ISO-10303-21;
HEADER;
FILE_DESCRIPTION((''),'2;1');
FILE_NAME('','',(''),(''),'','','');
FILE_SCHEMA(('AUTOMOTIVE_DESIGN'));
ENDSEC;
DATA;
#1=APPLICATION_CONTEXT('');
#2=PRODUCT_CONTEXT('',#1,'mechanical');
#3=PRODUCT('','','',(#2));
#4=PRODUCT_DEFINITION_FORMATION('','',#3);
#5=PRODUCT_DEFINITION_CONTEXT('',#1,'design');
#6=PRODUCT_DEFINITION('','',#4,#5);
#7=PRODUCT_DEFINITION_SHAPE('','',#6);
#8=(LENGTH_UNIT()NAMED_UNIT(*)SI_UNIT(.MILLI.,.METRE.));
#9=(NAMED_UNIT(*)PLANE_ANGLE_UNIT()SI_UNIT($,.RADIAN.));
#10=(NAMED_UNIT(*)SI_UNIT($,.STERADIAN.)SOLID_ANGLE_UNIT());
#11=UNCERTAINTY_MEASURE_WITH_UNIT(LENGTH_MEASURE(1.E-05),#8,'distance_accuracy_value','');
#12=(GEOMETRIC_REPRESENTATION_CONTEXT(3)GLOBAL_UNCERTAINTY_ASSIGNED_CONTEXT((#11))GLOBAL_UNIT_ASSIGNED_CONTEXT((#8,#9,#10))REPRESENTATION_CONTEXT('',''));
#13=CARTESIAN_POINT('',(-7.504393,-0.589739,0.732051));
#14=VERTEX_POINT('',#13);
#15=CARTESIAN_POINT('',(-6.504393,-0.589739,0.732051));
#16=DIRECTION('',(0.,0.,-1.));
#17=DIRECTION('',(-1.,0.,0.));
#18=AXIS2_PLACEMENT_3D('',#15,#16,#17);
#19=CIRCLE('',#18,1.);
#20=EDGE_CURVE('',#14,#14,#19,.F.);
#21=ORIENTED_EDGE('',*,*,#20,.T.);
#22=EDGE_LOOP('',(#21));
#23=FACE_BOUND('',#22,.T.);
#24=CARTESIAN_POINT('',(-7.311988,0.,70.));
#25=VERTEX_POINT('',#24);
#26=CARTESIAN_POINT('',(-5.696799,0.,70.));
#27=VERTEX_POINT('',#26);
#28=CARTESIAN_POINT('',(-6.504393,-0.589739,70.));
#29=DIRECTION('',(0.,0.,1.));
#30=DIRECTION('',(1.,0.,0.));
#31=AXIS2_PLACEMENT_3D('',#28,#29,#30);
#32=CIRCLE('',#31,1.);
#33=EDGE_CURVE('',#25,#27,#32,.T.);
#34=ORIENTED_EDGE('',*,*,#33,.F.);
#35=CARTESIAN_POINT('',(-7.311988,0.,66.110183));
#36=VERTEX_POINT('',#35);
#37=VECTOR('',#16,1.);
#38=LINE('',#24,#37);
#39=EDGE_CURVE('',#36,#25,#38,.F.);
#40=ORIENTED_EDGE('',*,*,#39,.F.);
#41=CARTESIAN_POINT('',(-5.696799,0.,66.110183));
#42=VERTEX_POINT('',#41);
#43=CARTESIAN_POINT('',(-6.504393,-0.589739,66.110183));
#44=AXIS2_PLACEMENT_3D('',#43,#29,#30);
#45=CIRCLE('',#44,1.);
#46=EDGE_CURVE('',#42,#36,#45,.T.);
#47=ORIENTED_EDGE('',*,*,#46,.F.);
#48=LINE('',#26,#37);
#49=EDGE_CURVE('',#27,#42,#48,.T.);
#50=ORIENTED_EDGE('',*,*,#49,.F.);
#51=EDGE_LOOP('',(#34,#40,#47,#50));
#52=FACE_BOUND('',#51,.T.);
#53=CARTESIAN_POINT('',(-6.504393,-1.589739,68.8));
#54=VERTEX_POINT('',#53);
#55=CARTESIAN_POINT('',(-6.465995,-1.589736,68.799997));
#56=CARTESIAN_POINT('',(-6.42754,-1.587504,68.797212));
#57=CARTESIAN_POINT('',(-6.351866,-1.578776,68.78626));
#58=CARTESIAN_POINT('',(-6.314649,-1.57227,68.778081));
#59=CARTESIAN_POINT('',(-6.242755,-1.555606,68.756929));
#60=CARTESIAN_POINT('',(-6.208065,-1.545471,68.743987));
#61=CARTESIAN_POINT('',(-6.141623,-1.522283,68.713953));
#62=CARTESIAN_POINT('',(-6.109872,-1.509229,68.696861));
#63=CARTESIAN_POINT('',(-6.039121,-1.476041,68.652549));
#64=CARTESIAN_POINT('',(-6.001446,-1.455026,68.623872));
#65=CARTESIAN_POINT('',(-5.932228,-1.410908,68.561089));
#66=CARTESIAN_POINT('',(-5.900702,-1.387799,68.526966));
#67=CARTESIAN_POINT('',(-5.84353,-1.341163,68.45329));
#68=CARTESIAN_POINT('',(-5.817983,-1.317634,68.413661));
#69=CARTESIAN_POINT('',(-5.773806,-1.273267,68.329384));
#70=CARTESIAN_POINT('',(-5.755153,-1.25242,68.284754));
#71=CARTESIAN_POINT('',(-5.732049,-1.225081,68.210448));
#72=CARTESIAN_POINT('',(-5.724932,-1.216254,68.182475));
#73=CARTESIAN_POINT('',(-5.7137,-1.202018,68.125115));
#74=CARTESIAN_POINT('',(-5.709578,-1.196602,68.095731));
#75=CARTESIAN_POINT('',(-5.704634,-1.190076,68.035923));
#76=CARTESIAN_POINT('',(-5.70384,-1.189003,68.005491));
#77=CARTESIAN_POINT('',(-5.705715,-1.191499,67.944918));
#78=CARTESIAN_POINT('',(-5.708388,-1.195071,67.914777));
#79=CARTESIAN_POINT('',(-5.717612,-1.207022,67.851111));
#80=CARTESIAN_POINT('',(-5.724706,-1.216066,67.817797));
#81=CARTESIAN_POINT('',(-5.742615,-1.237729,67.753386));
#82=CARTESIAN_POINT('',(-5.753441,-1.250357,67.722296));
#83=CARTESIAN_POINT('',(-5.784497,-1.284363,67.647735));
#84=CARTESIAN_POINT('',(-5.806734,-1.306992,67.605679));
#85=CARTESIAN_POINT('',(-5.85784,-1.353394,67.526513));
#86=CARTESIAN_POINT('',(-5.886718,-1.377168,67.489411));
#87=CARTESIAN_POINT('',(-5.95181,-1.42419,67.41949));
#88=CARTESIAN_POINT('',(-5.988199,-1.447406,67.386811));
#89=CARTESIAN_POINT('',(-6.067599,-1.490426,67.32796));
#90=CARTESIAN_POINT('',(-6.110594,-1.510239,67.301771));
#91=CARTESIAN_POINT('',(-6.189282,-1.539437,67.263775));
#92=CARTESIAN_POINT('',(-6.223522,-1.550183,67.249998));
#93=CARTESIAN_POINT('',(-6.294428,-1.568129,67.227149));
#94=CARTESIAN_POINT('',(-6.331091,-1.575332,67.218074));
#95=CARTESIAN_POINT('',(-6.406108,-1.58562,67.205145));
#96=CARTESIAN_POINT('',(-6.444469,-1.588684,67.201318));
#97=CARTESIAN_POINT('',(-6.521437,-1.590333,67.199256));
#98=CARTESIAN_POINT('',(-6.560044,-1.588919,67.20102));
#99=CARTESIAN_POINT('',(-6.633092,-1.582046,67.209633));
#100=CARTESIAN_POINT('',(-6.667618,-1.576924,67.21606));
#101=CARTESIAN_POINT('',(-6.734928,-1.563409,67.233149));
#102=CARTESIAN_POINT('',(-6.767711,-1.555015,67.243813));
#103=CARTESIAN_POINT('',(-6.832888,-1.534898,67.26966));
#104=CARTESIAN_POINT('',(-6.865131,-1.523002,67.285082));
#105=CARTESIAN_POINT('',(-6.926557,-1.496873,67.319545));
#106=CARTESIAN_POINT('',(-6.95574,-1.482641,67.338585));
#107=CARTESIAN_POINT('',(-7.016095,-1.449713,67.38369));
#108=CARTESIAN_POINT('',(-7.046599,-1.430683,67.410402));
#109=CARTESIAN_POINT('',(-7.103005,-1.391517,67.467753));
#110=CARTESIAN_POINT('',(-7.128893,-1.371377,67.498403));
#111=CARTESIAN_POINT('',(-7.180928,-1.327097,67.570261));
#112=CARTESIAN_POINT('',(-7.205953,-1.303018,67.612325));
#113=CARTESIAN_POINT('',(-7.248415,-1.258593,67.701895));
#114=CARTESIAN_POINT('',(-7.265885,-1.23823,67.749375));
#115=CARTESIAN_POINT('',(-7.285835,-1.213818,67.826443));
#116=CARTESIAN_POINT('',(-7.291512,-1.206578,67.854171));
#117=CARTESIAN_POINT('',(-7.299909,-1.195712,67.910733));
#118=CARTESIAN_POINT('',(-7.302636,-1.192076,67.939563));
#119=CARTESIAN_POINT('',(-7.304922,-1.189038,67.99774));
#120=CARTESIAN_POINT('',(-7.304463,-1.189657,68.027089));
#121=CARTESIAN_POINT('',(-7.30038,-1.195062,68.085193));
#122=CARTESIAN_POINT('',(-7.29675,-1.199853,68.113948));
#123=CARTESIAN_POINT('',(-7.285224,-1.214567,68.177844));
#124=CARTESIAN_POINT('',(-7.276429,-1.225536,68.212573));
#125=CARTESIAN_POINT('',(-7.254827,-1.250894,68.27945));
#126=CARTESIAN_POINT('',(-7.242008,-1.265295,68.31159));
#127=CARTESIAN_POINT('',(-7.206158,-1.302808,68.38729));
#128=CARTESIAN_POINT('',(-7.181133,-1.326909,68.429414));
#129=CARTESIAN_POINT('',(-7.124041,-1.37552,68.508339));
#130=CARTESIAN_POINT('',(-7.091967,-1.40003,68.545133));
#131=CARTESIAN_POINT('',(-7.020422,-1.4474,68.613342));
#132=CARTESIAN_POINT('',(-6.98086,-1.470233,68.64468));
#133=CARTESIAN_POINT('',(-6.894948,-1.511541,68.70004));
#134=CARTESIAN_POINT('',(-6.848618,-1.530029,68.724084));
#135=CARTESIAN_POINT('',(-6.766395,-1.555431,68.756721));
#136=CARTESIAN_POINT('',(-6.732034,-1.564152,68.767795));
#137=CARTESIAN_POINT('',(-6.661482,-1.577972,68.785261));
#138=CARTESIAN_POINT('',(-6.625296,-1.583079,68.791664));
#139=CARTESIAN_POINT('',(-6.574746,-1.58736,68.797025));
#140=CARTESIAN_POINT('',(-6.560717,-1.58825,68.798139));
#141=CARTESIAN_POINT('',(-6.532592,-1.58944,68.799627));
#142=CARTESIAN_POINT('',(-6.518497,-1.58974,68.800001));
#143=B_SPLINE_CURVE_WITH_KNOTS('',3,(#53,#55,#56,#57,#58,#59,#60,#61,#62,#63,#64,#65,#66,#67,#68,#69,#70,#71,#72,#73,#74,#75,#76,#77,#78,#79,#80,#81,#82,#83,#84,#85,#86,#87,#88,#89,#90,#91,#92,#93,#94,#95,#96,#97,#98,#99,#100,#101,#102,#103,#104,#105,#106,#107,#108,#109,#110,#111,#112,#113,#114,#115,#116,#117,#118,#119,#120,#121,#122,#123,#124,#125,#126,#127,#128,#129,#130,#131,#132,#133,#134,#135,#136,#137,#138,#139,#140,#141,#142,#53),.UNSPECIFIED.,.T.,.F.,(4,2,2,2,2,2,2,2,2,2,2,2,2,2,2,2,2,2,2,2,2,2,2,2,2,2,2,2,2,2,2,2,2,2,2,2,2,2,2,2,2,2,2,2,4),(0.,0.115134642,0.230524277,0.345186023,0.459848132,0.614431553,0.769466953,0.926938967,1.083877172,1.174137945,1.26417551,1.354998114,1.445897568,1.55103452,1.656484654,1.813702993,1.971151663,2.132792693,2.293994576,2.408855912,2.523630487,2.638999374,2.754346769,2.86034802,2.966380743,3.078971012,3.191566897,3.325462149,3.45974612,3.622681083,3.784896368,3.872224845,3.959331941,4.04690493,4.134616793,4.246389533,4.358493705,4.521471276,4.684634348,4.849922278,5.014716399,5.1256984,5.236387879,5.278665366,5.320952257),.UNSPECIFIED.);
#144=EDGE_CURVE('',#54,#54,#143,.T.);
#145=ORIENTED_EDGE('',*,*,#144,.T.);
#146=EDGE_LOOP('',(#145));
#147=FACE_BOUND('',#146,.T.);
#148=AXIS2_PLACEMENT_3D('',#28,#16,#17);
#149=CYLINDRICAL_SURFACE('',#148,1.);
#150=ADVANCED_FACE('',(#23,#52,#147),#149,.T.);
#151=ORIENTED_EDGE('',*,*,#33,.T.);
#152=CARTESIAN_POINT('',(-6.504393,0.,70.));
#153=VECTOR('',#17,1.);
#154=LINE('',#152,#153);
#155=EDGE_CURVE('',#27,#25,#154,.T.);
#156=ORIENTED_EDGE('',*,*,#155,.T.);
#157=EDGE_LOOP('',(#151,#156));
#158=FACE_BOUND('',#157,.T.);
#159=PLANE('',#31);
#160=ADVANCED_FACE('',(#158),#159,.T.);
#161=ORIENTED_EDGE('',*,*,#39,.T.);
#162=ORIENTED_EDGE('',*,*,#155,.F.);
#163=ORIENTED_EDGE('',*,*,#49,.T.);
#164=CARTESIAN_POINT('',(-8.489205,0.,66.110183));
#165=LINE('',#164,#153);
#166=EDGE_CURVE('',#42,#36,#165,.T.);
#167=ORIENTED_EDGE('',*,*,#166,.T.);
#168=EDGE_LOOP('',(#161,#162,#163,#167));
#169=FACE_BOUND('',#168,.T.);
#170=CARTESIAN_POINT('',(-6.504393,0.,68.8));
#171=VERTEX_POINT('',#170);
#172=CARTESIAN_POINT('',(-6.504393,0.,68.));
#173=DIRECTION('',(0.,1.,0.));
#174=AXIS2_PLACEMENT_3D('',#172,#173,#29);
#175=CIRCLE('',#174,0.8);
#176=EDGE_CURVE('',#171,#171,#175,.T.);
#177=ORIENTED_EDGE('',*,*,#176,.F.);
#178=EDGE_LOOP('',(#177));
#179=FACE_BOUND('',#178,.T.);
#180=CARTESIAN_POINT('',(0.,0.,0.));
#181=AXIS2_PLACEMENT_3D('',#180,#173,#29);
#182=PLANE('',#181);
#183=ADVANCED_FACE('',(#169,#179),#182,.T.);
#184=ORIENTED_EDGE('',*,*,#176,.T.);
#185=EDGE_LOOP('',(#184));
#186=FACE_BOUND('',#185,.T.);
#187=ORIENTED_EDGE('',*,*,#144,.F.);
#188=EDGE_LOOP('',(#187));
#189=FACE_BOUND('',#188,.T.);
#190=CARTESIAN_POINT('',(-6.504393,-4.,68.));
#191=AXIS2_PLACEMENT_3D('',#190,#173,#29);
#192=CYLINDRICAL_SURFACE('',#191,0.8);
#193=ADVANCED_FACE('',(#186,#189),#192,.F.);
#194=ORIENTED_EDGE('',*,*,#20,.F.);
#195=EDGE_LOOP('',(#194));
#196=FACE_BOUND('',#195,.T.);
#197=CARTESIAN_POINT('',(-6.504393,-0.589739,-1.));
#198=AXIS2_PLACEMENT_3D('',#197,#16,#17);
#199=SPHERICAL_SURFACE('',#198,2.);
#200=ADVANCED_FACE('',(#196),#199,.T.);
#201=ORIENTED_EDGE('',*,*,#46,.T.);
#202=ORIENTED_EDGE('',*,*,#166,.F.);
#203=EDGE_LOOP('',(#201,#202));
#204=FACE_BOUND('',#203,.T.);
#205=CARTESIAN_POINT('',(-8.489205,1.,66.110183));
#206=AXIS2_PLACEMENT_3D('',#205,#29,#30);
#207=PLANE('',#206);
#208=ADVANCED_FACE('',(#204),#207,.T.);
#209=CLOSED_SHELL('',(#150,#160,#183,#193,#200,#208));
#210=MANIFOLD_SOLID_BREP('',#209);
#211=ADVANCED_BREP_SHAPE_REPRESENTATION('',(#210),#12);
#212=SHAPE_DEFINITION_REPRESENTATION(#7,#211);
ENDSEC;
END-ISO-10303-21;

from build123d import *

# Parameters (mm, degrees)
SKETCH1_R           = 1
BOSS_EXTRUDE1_DEPTH = 70
SKETCH3_W           = 4.158474465
SKETCH3_H           = 4.275067207
CUT_EXTRUDE1_DEPTH  = 1
SKETCH4_R           = 0.8
CUT_EXTRUDE2_DEPTH  = 4


with BuildPart() as part:
    # Sketch1 → Boss-Extrude1 (new body)
    with BuildSketch(Plane.XY):
        with Locations((-6.504393421, -0.589738754)):
            Circle(SKETCH1_R)
    extrude(amount=BOSS_EXTRUDE1_DEPTH)

    # Sketch2 → Revolve1 (revolve)
    with BuildSketch(Plane(origin=(0, 0, -1), x_dir=(-1, 0, 0), z_dir=(0, 0, -1))):
        with BuildLine():
            Line((6.504393421, 1.410261246), (6.504393421, -2.589738754))
            ThreePointArc((6.504393421, -2.589738754), (4.504393421, -0.589738754), (6.504393421, 1.410261246))
        make_face()
    revolve(axis=Axis((-6.504393421, 2.047627036, -1), (0, -1, 0)))

    # Sketch3 → Cut-Extrude1 (cut)
    with BuildSketch(Plane(origin=(0, 0, 0), x_dir=(1, 0, 0), z_dir=(0, 1, 0))):
        with Locations((-6.409968211, -68.247716877)):
            Rectangle(SKETCH3_W, SKETCH3_H)
    extrude(amount=CUT_EXTRUDE1_DEPTH, mode=Mode.SUBTRACT)

    # Sketch4 → Cut-Extrude2 (cut)
    with BuildSketch(Plane(origin=(0, 0, 0), x_dir=(1, 0, 0), z_dir=(0, 1, 0))):
        with Locations(Location((-6.504393421, -68, 0), (0, 0, 270))):
            Circle(SKETCH4_R)
    extrude(amount=-CUT_EXTRUDE2_DEPTH, mode=Mode.SUBTRACT)


solid = part.part
